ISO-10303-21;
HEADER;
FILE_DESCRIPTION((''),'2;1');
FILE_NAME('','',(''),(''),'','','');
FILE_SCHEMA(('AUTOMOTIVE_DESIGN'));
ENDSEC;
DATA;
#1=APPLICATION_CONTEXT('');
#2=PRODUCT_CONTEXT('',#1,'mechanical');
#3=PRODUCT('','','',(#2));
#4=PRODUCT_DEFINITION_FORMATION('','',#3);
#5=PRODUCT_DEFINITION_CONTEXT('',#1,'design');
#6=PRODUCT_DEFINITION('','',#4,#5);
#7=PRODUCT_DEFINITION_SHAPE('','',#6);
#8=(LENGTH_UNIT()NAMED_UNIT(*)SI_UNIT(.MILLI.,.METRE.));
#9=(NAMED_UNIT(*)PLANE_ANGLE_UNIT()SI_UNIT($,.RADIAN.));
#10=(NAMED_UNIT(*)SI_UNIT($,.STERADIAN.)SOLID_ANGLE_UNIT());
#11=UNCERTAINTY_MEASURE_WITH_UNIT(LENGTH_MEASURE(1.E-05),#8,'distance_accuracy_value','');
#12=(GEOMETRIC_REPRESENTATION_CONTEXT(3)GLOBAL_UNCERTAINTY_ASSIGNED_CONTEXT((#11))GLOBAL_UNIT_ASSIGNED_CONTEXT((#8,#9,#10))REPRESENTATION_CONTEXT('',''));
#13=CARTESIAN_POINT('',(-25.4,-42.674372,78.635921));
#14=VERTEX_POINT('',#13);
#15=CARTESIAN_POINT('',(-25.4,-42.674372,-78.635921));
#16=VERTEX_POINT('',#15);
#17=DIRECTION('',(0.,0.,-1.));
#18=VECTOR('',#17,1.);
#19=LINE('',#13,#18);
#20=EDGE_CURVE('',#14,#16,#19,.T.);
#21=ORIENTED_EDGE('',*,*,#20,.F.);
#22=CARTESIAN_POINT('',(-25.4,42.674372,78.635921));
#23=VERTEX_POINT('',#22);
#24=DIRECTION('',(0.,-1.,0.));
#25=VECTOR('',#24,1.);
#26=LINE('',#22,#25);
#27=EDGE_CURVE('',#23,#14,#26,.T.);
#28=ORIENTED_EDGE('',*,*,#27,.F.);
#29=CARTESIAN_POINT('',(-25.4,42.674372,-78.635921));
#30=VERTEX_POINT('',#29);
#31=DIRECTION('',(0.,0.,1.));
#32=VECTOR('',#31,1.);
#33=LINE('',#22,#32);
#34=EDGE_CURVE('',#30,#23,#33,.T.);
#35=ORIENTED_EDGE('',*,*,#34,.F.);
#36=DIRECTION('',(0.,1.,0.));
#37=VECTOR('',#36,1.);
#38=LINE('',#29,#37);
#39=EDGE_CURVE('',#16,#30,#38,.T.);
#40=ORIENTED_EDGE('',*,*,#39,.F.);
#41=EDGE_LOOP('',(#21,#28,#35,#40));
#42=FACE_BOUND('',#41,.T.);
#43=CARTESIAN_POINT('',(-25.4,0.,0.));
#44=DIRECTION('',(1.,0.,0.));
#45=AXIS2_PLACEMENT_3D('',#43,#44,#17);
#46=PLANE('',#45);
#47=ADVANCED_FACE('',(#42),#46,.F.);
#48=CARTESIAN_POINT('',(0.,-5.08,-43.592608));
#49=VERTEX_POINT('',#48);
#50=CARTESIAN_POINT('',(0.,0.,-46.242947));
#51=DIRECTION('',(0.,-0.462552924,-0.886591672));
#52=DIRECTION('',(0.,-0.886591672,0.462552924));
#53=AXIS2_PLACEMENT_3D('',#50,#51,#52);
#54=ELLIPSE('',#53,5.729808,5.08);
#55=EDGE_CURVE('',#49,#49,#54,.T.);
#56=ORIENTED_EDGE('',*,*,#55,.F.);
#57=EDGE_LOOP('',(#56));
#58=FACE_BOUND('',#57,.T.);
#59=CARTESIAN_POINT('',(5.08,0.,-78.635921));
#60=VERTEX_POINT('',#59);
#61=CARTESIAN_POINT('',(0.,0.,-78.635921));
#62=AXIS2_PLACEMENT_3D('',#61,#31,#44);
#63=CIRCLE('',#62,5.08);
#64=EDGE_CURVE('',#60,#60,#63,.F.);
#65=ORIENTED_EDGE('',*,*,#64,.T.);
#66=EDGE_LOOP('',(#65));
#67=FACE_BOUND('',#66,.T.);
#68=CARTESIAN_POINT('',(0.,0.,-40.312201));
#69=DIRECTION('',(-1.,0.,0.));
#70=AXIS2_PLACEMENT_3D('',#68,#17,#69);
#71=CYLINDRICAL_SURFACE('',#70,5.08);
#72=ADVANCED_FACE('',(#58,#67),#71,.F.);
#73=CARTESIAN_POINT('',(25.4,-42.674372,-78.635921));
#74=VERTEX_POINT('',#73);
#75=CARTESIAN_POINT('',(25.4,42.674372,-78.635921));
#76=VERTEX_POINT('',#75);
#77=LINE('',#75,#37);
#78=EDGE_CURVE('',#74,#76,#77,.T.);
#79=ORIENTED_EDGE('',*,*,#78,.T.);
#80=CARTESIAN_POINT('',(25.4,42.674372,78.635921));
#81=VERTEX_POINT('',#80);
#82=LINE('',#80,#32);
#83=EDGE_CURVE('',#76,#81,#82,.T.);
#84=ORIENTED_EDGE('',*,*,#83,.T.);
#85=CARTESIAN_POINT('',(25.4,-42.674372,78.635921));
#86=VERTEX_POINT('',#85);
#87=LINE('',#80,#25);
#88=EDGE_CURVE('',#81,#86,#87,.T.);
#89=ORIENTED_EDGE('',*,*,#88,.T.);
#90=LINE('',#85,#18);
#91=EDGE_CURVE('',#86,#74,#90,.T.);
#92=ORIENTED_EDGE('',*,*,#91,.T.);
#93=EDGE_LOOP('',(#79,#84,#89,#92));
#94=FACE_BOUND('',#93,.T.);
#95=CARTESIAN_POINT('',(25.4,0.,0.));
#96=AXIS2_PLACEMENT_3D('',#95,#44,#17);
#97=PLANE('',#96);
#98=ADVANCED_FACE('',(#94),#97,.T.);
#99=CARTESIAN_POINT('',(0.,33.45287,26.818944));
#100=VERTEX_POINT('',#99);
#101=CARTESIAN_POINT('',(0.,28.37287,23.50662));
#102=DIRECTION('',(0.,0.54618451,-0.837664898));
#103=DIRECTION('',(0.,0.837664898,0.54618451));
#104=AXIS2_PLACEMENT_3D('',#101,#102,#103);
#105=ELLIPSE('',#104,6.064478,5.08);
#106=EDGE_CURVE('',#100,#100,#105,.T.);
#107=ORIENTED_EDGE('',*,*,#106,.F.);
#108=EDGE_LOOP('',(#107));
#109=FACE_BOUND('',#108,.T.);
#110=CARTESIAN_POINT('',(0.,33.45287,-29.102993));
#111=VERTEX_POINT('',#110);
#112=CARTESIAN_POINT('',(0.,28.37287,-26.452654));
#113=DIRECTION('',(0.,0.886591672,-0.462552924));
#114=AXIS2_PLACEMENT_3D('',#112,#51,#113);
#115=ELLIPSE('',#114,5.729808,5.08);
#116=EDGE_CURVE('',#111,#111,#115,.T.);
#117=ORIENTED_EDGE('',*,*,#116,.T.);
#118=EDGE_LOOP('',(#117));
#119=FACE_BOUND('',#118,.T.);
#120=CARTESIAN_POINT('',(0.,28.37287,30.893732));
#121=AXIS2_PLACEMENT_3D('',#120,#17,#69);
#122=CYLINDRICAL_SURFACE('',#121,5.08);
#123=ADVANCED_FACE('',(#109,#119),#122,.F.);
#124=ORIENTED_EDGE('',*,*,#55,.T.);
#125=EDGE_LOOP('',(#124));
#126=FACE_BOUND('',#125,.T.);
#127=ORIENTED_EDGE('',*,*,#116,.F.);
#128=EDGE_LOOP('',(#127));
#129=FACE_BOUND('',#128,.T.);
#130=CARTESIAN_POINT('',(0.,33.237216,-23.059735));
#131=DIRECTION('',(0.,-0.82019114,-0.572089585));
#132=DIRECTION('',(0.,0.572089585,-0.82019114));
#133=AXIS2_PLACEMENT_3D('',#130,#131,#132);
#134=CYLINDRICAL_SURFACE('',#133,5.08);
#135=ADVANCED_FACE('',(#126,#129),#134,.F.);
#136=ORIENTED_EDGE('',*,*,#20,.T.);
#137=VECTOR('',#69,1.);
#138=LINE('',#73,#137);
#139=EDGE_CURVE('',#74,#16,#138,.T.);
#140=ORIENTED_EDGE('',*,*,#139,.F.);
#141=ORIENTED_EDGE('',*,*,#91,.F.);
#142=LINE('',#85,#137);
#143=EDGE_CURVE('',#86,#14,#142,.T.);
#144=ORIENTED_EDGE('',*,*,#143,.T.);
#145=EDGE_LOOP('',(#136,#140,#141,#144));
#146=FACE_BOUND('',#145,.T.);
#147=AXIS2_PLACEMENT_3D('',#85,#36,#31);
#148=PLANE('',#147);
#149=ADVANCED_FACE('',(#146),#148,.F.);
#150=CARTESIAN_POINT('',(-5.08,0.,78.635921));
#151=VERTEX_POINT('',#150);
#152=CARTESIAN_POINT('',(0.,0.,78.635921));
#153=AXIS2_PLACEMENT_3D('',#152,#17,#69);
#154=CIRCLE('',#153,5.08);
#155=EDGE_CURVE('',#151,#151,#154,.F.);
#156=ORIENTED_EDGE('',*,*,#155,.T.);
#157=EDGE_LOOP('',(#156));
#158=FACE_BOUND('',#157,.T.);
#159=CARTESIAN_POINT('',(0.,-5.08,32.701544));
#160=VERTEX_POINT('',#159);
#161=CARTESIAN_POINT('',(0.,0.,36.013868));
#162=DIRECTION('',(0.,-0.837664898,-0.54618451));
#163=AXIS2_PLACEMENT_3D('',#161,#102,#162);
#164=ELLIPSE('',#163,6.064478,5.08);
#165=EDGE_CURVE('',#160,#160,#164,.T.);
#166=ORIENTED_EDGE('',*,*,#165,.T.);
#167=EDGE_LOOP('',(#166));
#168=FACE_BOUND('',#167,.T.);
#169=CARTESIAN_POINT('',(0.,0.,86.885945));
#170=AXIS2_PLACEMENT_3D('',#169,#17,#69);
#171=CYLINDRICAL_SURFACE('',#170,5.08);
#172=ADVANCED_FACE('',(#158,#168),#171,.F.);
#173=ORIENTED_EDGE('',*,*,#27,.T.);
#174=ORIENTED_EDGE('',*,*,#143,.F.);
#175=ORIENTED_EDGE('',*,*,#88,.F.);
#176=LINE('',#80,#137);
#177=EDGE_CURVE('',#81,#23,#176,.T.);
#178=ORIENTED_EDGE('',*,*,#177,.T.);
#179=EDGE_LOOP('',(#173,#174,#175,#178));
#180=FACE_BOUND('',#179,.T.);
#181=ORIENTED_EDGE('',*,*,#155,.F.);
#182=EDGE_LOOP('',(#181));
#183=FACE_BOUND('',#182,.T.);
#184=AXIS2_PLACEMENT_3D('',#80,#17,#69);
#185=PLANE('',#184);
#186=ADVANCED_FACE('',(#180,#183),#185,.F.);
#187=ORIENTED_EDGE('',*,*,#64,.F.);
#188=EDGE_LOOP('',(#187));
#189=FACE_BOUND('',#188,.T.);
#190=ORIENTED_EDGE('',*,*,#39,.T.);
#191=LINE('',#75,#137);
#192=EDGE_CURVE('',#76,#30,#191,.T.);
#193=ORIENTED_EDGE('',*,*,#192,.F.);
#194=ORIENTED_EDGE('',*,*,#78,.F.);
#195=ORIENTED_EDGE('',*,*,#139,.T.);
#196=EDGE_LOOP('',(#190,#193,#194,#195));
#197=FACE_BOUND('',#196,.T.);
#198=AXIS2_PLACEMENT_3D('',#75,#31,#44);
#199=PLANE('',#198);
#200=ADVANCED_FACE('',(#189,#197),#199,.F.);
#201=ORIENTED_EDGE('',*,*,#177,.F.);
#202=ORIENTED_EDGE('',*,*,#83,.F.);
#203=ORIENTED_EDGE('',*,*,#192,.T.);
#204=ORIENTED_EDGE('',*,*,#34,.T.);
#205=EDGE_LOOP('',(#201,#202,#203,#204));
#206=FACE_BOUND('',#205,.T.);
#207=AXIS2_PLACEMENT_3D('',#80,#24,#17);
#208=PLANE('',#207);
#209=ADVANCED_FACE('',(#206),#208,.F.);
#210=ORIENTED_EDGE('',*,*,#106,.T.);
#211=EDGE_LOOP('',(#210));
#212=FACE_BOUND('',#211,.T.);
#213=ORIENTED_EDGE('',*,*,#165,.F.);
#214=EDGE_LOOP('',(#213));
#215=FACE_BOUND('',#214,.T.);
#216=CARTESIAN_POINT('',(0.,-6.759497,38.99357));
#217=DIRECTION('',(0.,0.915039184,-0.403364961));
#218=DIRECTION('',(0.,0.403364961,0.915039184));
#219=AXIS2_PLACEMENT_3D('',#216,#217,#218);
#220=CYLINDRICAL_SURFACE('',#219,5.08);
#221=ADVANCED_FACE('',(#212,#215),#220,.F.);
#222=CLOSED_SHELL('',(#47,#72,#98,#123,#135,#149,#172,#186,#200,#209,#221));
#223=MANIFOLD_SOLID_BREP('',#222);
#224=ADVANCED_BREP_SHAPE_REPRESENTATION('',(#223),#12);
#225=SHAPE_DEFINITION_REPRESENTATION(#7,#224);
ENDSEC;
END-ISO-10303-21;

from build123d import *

# Parameters (mm, degrees)
SKETCH1_W            = 157.271841604
SKETCH1_H            = 85.34874331
BOSS_EXTRUDE1_DEPTH  = 25.4
CUT_SWEEP2_PROFILE_R = 5.08


with BuildPart() as part:
    # Sketch1 → Boss-Extrude1 (new, symmetric)
    with BuildSketch(Plane(origin=(0, 0, 0), x_dir=(0, 0, -1), z_dir=(1, 0, 0))):
        Rectangle(SKETCH1_W, SKETCH1_H)
    extrude(amount=BOSS_EXTRUDE1_DEPTH, both=True)

    # Cut-Sweep2: sweep along a path in Sketch11
    with BuildLine(Plane(origin=(0, 0, 0), x_dir=(0, 0, -1), z_dir=(1, 0, 0))) as cut_sweep2_path:
        Line((-86.885944584, 0), (-36.013867587, 0))
        Line((-36.013867587, 0), (-23.506619997, 28.372870033))
        Line((-23.506619997, 28.372870033), (26.452653889, 28.372870033))
        Line((26.452653889, 28.372870033), (46.242947448, 0))
        Line((46.242947448, 0), (78.869898607, 0))
    # Cut-Sweep2 profile (on start of the path) → Cut-Sweep2 (sweep, cut)
    with BuildSketch(Plane(origin=(0, 0, 86.885944584), x_dir=(-1, 0, 0), z_dir=(0, 0, -1))):
        Circle(CUT_SWEEP2_PROFILE_R)
    sweep(path=cut_sweep2_path.line, transition=Transition.RIGHT, mode=Mode.SUBTRACT)


solid = part.part
